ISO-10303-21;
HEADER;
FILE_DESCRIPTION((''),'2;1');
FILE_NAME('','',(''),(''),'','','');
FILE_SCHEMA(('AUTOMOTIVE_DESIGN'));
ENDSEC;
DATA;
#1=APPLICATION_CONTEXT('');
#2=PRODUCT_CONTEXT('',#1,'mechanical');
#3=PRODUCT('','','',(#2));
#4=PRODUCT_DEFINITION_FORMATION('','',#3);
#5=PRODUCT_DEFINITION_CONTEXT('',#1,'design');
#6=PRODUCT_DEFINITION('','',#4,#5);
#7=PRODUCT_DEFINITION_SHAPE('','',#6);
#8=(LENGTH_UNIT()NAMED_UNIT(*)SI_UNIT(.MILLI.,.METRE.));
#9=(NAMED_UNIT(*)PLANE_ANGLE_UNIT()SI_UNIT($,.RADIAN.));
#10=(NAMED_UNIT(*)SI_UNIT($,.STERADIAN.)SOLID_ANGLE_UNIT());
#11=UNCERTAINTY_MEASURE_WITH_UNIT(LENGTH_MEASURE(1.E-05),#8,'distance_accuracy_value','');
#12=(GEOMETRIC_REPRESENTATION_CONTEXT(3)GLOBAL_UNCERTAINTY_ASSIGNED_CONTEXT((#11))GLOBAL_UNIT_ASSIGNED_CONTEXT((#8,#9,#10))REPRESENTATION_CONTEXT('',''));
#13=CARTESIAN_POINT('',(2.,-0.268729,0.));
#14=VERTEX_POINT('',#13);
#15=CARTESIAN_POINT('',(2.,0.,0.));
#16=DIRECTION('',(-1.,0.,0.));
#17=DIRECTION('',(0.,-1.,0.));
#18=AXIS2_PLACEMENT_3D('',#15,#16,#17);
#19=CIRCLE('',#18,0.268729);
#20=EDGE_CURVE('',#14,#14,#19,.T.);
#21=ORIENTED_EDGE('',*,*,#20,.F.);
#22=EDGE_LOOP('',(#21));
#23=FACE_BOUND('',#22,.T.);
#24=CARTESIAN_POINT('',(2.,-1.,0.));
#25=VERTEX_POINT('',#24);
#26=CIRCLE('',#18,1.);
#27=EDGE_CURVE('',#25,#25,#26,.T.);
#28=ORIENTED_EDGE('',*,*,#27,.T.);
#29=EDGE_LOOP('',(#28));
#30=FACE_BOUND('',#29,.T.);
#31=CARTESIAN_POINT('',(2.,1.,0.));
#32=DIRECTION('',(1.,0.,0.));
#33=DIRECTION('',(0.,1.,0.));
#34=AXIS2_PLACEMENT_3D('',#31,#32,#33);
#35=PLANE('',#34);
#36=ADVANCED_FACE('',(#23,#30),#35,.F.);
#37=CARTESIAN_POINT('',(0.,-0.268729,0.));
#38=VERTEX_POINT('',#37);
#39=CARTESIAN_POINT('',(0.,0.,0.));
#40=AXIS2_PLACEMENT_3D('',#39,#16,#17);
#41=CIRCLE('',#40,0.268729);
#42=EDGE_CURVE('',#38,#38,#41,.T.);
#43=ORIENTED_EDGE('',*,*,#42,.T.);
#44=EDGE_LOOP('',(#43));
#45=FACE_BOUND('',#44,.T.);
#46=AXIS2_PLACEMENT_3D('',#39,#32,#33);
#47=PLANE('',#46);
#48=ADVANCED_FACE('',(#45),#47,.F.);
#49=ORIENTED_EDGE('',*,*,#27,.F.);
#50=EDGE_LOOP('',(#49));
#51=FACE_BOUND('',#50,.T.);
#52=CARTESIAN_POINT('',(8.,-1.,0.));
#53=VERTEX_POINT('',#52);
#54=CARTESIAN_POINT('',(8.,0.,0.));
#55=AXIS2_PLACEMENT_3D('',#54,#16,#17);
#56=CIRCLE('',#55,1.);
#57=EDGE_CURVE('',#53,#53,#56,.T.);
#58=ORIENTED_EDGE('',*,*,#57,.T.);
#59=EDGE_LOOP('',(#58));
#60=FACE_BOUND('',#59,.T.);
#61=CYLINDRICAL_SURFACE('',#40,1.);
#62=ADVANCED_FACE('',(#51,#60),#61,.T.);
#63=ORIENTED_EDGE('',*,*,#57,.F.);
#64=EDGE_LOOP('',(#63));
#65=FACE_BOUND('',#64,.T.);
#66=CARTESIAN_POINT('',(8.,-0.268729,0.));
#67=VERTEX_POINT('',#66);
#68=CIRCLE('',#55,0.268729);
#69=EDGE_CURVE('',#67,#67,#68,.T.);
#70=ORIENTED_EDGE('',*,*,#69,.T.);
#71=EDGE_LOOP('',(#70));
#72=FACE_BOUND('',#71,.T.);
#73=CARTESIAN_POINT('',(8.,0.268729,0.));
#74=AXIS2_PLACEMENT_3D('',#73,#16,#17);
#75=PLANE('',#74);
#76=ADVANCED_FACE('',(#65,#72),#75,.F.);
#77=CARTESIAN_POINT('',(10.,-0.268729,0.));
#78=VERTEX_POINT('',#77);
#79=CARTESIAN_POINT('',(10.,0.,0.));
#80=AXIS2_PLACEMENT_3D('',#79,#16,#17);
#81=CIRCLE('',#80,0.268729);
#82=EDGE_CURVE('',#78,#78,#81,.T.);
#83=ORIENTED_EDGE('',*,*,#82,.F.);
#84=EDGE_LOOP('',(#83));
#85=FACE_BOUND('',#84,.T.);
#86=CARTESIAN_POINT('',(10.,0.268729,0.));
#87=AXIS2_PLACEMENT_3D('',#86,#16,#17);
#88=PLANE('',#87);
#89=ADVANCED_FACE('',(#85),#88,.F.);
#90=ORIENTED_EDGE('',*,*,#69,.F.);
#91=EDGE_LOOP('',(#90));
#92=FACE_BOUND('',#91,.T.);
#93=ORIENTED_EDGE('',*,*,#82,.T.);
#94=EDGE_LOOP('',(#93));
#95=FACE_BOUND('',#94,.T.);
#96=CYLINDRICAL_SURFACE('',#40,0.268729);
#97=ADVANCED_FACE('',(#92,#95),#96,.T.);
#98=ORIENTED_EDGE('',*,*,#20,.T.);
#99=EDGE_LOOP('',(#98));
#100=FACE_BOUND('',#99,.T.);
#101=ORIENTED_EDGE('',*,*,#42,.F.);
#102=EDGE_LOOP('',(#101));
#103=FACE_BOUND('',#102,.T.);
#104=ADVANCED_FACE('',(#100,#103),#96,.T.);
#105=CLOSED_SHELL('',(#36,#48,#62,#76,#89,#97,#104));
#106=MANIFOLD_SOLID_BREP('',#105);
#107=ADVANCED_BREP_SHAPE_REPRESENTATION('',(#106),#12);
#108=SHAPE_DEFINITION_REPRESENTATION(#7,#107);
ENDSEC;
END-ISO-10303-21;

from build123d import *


with BuildPart() as part:
    # Sketch4 → Revolve2 (revolve)
    with BuildSketch(Plane.XY, mode=Mode.PRIVATE) as revolve2_sk:
        Polygon((0, 0), (10, 0), (10, 0.268728711), (8, 0.268728711), (8, 1), (2, 1), (2, 0.268728711), (0, 0.268728711), align=None)
    revolve(revolve2_sk.sketch.rotate(Axis((0, 0, 0), (1, 0, 0)), 180), axis=Axis((0, 0, 0), (1, 0, 0)))


solid = part.part
